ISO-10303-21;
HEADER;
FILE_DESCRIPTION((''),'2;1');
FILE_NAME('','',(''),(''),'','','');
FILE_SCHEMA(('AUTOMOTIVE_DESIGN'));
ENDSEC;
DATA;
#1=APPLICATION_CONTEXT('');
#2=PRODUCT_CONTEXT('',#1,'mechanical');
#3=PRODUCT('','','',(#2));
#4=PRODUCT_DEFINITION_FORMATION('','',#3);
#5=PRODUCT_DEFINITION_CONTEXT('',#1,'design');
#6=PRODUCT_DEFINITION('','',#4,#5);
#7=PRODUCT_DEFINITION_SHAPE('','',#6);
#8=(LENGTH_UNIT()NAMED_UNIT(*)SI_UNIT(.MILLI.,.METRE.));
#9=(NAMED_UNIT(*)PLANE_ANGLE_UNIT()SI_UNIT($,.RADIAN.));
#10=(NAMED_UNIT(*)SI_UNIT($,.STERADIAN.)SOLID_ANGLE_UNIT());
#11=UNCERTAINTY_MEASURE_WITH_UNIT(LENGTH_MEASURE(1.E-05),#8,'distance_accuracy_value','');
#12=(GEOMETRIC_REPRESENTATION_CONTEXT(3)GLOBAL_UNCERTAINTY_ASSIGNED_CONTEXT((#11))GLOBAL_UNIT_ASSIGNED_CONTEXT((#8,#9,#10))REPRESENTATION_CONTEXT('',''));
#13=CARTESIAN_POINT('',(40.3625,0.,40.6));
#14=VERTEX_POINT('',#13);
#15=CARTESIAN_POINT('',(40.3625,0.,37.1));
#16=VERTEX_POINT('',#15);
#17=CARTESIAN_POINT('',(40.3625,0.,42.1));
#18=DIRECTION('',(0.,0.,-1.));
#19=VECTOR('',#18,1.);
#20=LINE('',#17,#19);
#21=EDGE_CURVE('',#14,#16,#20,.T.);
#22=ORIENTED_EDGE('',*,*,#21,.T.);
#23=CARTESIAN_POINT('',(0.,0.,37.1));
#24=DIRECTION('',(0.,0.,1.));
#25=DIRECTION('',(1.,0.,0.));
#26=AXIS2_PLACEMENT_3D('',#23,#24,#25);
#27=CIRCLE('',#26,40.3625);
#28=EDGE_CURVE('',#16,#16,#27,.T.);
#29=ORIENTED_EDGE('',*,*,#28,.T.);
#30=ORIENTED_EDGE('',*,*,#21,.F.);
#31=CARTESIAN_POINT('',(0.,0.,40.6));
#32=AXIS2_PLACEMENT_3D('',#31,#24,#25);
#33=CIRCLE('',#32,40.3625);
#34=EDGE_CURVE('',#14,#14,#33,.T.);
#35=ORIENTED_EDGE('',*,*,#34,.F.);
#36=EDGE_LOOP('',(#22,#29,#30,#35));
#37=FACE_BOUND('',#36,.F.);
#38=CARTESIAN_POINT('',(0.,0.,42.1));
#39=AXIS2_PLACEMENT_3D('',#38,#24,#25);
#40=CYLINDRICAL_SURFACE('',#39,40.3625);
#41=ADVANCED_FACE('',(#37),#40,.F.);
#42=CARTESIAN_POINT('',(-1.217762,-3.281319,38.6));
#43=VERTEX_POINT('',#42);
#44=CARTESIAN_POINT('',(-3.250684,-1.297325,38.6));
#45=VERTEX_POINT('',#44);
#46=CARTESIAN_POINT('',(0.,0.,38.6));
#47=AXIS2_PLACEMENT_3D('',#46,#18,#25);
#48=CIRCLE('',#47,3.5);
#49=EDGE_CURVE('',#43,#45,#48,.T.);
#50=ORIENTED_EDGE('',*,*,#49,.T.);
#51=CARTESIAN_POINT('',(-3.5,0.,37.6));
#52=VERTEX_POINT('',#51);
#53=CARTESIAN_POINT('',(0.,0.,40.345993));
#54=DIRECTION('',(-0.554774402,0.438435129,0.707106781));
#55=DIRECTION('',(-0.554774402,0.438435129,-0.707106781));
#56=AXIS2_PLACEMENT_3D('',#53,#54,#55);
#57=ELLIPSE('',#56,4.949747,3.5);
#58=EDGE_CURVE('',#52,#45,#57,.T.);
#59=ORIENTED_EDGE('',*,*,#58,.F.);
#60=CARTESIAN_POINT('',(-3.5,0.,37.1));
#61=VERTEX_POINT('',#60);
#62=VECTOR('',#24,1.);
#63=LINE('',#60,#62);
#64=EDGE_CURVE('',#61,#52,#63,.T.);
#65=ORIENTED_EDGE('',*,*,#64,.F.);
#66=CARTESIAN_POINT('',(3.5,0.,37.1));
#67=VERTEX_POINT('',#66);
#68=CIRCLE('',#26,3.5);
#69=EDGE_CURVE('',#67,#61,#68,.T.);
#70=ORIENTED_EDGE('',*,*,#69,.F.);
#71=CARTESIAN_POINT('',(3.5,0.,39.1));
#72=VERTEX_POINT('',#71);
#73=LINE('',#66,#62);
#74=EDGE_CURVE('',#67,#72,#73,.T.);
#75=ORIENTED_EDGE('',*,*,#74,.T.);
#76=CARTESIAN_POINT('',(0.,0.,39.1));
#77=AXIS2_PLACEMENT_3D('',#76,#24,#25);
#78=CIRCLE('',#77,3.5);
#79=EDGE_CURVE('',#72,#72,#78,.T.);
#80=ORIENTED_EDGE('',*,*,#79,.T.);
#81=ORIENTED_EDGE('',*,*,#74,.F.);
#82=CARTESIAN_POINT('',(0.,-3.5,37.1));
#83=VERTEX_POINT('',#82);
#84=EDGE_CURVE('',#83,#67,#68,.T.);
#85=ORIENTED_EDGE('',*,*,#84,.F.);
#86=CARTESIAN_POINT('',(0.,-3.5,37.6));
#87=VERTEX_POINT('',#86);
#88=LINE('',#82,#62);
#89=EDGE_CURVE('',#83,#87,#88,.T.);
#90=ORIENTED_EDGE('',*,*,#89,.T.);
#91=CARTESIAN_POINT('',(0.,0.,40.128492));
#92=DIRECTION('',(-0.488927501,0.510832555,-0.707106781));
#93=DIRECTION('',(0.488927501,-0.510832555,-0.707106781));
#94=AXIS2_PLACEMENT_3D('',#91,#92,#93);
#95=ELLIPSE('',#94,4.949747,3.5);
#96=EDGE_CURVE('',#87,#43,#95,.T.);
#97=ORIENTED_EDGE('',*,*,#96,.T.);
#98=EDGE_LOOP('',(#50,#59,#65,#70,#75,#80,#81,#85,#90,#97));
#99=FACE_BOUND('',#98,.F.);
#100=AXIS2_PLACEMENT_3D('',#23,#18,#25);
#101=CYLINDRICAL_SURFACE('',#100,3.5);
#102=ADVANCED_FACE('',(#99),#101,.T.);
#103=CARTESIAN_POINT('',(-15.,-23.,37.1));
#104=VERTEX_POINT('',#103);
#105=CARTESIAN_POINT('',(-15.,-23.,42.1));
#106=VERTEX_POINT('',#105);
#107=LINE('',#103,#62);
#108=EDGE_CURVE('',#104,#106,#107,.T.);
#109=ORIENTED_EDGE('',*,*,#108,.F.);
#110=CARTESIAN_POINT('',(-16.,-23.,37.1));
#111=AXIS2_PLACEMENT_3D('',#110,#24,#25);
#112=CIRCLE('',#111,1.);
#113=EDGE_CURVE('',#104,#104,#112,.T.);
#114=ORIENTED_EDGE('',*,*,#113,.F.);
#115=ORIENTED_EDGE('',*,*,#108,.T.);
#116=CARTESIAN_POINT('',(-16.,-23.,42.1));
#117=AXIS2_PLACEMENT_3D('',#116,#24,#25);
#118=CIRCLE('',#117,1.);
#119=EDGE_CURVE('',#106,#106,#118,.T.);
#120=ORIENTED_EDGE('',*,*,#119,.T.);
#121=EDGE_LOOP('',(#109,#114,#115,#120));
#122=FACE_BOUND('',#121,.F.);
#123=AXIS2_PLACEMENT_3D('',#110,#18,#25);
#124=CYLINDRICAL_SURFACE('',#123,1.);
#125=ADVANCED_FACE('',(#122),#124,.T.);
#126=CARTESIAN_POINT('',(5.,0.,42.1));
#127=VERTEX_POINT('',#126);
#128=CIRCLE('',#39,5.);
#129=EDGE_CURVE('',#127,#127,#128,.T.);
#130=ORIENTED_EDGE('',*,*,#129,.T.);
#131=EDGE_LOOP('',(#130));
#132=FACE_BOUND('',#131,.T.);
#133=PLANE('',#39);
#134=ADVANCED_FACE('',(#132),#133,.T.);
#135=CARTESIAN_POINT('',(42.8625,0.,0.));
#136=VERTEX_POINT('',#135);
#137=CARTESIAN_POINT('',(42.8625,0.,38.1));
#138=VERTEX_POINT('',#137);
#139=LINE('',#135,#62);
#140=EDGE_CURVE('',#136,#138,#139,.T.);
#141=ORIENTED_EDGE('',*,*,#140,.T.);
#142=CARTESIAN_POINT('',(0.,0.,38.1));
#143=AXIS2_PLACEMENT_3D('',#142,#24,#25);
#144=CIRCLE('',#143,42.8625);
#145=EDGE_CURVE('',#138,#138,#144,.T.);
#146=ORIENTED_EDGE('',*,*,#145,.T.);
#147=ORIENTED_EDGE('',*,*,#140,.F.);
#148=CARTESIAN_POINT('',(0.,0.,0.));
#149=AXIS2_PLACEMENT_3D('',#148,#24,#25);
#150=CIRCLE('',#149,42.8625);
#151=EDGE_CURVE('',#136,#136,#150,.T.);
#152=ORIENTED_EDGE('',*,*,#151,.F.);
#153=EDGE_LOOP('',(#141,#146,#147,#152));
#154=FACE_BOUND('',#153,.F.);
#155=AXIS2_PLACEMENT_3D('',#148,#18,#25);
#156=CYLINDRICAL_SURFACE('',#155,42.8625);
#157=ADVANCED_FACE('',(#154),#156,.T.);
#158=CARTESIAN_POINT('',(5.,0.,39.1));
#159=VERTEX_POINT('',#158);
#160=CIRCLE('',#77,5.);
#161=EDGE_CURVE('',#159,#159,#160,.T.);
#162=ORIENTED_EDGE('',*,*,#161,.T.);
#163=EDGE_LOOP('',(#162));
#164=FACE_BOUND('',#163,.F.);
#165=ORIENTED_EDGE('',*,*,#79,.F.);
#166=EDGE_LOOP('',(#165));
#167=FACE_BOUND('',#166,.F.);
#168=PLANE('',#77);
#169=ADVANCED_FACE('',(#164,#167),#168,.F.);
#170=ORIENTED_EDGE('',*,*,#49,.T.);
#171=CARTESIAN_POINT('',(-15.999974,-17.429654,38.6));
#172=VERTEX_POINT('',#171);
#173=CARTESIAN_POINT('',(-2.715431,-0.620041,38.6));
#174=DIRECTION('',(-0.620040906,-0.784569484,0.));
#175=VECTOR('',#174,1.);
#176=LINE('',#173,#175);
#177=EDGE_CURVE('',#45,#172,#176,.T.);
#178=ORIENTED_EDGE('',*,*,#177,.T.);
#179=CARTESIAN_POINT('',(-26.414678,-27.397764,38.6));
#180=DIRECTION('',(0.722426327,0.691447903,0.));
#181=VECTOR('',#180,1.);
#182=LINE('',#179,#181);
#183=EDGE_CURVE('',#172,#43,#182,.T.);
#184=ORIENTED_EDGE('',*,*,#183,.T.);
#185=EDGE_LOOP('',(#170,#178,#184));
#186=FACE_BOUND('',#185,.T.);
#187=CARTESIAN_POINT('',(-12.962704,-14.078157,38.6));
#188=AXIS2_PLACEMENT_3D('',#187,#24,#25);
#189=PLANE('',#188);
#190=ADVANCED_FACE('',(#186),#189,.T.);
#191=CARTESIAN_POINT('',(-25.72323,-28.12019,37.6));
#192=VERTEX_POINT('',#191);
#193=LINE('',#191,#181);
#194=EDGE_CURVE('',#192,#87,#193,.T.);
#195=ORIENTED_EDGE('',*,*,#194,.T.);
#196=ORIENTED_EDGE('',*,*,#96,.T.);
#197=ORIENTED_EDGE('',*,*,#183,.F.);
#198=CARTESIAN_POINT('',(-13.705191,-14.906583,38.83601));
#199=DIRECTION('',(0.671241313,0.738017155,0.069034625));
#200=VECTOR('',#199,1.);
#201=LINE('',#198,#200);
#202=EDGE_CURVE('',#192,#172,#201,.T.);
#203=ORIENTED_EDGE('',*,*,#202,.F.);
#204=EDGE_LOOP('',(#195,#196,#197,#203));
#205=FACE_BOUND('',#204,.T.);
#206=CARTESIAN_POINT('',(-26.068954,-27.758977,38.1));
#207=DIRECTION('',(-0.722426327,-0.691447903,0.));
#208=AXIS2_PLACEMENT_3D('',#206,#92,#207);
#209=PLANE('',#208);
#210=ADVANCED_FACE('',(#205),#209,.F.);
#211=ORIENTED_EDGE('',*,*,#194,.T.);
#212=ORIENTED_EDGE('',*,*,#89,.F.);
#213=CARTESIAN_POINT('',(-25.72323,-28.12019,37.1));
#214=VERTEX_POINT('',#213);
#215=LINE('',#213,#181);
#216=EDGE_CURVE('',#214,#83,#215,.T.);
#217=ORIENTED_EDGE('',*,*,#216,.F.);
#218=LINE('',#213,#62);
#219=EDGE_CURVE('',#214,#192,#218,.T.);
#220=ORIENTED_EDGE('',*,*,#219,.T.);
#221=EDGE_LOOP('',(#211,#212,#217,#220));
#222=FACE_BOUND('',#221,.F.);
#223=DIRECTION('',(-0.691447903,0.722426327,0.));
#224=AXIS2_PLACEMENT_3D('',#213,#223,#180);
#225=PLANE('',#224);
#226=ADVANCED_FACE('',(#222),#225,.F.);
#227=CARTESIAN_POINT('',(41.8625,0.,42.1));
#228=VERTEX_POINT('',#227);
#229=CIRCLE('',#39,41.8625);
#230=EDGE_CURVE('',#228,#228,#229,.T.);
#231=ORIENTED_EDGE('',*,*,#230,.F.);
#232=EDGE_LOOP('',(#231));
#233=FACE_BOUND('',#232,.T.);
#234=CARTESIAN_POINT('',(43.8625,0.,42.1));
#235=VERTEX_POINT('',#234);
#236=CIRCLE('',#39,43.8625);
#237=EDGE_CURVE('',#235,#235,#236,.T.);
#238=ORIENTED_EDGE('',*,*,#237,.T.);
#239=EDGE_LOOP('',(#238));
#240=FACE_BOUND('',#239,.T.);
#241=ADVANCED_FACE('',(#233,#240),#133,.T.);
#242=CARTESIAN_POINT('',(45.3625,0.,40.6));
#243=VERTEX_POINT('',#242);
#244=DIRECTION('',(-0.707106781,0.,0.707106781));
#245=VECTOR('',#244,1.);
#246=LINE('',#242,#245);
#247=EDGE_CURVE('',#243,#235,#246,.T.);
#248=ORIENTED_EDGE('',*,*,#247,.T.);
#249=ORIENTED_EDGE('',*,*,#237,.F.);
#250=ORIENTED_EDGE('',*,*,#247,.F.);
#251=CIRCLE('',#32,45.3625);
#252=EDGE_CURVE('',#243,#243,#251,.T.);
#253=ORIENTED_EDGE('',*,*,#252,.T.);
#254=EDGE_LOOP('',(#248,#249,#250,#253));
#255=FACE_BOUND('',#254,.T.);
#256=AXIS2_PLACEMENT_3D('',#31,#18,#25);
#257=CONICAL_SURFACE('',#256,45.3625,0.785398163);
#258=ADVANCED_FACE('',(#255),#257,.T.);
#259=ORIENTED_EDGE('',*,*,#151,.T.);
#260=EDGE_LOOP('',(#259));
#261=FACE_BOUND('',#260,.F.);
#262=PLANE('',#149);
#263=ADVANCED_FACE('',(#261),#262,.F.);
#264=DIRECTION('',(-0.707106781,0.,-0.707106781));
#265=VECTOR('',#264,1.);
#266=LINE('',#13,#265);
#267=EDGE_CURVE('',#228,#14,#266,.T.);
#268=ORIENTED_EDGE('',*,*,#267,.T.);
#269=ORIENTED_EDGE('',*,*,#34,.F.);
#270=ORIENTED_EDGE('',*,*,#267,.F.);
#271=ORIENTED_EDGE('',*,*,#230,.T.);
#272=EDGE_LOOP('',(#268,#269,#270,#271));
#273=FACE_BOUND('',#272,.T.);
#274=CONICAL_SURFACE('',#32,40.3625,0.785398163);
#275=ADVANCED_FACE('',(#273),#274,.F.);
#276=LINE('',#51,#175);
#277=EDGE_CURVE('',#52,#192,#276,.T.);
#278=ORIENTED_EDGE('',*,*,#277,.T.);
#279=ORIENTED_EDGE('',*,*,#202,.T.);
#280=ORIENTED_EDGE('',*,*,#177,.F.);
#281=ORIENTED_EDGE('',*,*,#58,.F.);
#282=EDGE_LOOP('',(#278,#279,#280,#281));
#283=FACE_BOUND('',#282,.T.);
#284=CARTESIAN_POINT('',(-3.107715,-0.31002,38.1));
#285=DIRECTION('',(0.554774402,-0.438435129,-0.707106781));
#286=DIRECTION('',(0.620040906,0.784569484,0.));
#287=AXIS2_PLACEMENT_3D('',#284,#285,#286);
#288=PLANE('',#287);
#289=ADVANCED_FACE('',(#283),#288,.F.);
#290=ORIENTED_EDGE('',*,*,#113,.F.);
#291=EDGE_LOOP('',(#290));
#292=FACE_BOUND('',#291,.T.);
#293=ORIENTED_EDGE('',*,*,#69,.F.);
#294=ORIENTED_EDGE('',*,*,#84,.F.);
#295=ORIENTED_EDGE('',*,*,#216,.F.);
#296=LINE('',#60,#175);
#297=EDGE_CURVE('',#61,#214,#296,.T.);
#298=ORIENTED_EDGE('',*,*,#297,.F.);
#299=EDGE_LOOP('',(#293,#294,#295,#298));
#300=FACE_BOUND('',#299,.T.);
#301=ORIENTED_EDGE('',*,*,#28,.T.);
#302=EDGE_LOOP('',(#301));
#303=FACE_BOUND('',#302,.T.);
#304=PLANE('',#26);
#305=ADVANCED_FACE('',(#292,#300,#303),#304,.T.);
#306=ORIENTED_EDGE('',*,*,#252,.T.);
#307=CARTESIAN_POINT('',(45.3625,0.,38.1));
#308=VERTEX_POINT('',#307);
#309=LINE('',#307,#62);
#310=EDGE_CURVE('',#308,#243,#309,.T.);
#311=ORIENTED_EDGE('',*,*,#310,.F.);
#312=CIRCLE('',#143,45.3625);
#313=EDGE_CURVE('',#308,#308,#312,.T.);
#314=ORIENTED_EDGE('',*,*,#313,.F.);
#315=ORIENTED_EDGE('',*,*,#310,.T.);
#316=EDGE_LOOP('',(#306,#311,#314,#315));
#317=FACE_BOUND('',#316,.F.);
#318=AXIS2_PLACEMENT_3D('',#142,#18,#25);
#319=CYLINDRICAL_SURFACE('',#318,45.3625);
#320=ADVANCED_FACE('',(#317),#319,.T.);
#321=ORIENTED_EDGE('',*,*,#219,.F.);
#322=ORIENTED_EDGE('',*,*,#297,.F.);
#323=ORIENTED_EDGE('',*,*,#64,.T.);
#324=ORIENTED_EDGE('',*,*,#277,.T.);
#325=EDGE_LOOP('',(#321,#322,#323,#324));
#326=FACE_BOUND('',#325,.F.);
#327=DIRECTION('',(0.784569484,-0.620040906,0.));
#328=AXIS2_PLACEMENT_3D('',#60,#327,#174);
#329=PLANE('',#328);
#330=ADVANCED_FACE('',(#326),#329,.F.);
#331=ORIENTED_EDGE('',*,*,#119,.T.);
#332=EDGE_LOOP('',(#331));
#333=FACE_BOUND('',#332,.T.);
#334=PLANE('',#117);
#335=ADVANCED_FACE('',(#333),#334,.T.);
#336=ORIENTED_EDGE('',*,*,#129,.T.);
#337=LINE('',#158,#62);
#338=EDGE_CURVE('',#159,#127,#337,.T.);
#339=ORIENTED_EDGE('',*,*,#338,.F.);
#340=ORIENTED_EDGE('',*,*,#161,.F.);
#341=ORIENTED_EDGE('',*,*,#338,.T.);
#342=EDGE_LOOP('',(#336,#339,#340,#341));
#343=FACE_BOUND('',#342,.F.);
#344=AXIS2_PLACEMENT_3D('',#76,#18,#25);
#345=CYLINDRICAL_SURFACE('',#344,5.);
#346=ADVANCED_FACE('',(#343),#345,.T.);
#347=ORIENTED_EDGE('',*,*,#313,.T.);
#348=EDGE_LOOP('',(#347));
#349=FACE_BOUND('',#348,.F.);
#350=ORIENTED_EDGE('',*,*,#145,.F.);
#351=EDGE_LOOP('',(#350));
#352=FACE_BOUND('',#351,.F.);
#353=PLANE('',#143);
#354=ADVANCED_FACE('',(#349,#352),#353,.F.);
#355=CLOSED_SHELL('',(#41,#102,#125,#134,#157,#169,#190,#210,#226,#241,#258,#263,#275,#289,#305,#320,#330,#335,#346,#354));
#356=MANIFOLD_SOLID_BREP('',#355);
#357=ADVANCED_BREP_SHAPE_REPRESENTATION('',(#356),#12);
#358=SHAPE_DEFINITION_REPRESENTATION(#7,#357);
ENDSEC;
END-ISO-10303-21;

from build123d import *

# Parameters (mm, degrees)
F0_R      = 42.8625
F1_DEPTH  = 38.1
F2_R      = 45.3625
F3_DEPTH  = 4
F4_R      = 40.3625
F5_DEPTH  = 5
F6_SIZE   = 1.5
F7_R      = 3.5
F8_DEPTH  = 2
F9_R      = 5
F10_DEPTH = 3
F12_DEPTH = 1.5
F13_SIZE  = 1
F14_R     = 1
F15_DEPTH = 5


with BuildPart() as f1:
    # F0 (on Top) → F1 (new body)
    with BuildSketch(Plane.XY):
        Circle(F0_R)
    extrude(amount=F1_DEPTH)

    # F2 (on face) → F3 (join)
    with BuildSketch(Plane.XY.offset(38.1)):
        Circle(F2_R)
    extrude(amount=F3_DEPTH)

    # F4 (on face) → F5 (cut)
    with BuildSketch(Plane.XY.offset(42.1)):
        Circle(F4_R)
    extrude(amount=-F5_DEPTH, mode=Mode.SUBTRACT)

    # F6
    f6_edges = [f1.edges().sort_by_distance(p)[0] for p in [
        (-45.3625, 0, 42.1),
        (-40.3625, 0, 42.1),
    ]]
    chamfer(f6_edges, length=F6_SIZE)

    # F7 (on face) → F8 (join)
    with BuildSketch(Plane.XY.offset(37.1)):
        Circle(F7_R)
    extrude(amount=F8_DEPTH)

    # F9 (on face) → F10 (join)
    with BuildSketch(Plane.XY.offset(39.1)):
        Circle(F9_R)
    extrude(amount=F10_DEPTH)

    # F11 (on face) → F12 (join)
    with BuildSketch(Plane.XY.offset(37.1)):
        Polygon((0, -3.5), (-3.5, 0), (-25.72323, -28.12019), align=None)
    extrude(amount=F12_DEPTH)

    # F13
    f13_edges = [f1.edges().sort_by_distance(p)[0] for p in [
        (-12.861615, -15.810095, 38.6),
        (-14.611615, -14.060095, 38.6),
    ]]
    chamfer(f13_edges, length=F13_SIZE)

    # F14 (on face) → F15 (join)
    with BuildSketch(Plane.XY.offset(37.1)):
        with Locations((-16, -23)):
            Circle(F14_R)
    extrude(amount=F15_DEPTH)


solid = f1.part
